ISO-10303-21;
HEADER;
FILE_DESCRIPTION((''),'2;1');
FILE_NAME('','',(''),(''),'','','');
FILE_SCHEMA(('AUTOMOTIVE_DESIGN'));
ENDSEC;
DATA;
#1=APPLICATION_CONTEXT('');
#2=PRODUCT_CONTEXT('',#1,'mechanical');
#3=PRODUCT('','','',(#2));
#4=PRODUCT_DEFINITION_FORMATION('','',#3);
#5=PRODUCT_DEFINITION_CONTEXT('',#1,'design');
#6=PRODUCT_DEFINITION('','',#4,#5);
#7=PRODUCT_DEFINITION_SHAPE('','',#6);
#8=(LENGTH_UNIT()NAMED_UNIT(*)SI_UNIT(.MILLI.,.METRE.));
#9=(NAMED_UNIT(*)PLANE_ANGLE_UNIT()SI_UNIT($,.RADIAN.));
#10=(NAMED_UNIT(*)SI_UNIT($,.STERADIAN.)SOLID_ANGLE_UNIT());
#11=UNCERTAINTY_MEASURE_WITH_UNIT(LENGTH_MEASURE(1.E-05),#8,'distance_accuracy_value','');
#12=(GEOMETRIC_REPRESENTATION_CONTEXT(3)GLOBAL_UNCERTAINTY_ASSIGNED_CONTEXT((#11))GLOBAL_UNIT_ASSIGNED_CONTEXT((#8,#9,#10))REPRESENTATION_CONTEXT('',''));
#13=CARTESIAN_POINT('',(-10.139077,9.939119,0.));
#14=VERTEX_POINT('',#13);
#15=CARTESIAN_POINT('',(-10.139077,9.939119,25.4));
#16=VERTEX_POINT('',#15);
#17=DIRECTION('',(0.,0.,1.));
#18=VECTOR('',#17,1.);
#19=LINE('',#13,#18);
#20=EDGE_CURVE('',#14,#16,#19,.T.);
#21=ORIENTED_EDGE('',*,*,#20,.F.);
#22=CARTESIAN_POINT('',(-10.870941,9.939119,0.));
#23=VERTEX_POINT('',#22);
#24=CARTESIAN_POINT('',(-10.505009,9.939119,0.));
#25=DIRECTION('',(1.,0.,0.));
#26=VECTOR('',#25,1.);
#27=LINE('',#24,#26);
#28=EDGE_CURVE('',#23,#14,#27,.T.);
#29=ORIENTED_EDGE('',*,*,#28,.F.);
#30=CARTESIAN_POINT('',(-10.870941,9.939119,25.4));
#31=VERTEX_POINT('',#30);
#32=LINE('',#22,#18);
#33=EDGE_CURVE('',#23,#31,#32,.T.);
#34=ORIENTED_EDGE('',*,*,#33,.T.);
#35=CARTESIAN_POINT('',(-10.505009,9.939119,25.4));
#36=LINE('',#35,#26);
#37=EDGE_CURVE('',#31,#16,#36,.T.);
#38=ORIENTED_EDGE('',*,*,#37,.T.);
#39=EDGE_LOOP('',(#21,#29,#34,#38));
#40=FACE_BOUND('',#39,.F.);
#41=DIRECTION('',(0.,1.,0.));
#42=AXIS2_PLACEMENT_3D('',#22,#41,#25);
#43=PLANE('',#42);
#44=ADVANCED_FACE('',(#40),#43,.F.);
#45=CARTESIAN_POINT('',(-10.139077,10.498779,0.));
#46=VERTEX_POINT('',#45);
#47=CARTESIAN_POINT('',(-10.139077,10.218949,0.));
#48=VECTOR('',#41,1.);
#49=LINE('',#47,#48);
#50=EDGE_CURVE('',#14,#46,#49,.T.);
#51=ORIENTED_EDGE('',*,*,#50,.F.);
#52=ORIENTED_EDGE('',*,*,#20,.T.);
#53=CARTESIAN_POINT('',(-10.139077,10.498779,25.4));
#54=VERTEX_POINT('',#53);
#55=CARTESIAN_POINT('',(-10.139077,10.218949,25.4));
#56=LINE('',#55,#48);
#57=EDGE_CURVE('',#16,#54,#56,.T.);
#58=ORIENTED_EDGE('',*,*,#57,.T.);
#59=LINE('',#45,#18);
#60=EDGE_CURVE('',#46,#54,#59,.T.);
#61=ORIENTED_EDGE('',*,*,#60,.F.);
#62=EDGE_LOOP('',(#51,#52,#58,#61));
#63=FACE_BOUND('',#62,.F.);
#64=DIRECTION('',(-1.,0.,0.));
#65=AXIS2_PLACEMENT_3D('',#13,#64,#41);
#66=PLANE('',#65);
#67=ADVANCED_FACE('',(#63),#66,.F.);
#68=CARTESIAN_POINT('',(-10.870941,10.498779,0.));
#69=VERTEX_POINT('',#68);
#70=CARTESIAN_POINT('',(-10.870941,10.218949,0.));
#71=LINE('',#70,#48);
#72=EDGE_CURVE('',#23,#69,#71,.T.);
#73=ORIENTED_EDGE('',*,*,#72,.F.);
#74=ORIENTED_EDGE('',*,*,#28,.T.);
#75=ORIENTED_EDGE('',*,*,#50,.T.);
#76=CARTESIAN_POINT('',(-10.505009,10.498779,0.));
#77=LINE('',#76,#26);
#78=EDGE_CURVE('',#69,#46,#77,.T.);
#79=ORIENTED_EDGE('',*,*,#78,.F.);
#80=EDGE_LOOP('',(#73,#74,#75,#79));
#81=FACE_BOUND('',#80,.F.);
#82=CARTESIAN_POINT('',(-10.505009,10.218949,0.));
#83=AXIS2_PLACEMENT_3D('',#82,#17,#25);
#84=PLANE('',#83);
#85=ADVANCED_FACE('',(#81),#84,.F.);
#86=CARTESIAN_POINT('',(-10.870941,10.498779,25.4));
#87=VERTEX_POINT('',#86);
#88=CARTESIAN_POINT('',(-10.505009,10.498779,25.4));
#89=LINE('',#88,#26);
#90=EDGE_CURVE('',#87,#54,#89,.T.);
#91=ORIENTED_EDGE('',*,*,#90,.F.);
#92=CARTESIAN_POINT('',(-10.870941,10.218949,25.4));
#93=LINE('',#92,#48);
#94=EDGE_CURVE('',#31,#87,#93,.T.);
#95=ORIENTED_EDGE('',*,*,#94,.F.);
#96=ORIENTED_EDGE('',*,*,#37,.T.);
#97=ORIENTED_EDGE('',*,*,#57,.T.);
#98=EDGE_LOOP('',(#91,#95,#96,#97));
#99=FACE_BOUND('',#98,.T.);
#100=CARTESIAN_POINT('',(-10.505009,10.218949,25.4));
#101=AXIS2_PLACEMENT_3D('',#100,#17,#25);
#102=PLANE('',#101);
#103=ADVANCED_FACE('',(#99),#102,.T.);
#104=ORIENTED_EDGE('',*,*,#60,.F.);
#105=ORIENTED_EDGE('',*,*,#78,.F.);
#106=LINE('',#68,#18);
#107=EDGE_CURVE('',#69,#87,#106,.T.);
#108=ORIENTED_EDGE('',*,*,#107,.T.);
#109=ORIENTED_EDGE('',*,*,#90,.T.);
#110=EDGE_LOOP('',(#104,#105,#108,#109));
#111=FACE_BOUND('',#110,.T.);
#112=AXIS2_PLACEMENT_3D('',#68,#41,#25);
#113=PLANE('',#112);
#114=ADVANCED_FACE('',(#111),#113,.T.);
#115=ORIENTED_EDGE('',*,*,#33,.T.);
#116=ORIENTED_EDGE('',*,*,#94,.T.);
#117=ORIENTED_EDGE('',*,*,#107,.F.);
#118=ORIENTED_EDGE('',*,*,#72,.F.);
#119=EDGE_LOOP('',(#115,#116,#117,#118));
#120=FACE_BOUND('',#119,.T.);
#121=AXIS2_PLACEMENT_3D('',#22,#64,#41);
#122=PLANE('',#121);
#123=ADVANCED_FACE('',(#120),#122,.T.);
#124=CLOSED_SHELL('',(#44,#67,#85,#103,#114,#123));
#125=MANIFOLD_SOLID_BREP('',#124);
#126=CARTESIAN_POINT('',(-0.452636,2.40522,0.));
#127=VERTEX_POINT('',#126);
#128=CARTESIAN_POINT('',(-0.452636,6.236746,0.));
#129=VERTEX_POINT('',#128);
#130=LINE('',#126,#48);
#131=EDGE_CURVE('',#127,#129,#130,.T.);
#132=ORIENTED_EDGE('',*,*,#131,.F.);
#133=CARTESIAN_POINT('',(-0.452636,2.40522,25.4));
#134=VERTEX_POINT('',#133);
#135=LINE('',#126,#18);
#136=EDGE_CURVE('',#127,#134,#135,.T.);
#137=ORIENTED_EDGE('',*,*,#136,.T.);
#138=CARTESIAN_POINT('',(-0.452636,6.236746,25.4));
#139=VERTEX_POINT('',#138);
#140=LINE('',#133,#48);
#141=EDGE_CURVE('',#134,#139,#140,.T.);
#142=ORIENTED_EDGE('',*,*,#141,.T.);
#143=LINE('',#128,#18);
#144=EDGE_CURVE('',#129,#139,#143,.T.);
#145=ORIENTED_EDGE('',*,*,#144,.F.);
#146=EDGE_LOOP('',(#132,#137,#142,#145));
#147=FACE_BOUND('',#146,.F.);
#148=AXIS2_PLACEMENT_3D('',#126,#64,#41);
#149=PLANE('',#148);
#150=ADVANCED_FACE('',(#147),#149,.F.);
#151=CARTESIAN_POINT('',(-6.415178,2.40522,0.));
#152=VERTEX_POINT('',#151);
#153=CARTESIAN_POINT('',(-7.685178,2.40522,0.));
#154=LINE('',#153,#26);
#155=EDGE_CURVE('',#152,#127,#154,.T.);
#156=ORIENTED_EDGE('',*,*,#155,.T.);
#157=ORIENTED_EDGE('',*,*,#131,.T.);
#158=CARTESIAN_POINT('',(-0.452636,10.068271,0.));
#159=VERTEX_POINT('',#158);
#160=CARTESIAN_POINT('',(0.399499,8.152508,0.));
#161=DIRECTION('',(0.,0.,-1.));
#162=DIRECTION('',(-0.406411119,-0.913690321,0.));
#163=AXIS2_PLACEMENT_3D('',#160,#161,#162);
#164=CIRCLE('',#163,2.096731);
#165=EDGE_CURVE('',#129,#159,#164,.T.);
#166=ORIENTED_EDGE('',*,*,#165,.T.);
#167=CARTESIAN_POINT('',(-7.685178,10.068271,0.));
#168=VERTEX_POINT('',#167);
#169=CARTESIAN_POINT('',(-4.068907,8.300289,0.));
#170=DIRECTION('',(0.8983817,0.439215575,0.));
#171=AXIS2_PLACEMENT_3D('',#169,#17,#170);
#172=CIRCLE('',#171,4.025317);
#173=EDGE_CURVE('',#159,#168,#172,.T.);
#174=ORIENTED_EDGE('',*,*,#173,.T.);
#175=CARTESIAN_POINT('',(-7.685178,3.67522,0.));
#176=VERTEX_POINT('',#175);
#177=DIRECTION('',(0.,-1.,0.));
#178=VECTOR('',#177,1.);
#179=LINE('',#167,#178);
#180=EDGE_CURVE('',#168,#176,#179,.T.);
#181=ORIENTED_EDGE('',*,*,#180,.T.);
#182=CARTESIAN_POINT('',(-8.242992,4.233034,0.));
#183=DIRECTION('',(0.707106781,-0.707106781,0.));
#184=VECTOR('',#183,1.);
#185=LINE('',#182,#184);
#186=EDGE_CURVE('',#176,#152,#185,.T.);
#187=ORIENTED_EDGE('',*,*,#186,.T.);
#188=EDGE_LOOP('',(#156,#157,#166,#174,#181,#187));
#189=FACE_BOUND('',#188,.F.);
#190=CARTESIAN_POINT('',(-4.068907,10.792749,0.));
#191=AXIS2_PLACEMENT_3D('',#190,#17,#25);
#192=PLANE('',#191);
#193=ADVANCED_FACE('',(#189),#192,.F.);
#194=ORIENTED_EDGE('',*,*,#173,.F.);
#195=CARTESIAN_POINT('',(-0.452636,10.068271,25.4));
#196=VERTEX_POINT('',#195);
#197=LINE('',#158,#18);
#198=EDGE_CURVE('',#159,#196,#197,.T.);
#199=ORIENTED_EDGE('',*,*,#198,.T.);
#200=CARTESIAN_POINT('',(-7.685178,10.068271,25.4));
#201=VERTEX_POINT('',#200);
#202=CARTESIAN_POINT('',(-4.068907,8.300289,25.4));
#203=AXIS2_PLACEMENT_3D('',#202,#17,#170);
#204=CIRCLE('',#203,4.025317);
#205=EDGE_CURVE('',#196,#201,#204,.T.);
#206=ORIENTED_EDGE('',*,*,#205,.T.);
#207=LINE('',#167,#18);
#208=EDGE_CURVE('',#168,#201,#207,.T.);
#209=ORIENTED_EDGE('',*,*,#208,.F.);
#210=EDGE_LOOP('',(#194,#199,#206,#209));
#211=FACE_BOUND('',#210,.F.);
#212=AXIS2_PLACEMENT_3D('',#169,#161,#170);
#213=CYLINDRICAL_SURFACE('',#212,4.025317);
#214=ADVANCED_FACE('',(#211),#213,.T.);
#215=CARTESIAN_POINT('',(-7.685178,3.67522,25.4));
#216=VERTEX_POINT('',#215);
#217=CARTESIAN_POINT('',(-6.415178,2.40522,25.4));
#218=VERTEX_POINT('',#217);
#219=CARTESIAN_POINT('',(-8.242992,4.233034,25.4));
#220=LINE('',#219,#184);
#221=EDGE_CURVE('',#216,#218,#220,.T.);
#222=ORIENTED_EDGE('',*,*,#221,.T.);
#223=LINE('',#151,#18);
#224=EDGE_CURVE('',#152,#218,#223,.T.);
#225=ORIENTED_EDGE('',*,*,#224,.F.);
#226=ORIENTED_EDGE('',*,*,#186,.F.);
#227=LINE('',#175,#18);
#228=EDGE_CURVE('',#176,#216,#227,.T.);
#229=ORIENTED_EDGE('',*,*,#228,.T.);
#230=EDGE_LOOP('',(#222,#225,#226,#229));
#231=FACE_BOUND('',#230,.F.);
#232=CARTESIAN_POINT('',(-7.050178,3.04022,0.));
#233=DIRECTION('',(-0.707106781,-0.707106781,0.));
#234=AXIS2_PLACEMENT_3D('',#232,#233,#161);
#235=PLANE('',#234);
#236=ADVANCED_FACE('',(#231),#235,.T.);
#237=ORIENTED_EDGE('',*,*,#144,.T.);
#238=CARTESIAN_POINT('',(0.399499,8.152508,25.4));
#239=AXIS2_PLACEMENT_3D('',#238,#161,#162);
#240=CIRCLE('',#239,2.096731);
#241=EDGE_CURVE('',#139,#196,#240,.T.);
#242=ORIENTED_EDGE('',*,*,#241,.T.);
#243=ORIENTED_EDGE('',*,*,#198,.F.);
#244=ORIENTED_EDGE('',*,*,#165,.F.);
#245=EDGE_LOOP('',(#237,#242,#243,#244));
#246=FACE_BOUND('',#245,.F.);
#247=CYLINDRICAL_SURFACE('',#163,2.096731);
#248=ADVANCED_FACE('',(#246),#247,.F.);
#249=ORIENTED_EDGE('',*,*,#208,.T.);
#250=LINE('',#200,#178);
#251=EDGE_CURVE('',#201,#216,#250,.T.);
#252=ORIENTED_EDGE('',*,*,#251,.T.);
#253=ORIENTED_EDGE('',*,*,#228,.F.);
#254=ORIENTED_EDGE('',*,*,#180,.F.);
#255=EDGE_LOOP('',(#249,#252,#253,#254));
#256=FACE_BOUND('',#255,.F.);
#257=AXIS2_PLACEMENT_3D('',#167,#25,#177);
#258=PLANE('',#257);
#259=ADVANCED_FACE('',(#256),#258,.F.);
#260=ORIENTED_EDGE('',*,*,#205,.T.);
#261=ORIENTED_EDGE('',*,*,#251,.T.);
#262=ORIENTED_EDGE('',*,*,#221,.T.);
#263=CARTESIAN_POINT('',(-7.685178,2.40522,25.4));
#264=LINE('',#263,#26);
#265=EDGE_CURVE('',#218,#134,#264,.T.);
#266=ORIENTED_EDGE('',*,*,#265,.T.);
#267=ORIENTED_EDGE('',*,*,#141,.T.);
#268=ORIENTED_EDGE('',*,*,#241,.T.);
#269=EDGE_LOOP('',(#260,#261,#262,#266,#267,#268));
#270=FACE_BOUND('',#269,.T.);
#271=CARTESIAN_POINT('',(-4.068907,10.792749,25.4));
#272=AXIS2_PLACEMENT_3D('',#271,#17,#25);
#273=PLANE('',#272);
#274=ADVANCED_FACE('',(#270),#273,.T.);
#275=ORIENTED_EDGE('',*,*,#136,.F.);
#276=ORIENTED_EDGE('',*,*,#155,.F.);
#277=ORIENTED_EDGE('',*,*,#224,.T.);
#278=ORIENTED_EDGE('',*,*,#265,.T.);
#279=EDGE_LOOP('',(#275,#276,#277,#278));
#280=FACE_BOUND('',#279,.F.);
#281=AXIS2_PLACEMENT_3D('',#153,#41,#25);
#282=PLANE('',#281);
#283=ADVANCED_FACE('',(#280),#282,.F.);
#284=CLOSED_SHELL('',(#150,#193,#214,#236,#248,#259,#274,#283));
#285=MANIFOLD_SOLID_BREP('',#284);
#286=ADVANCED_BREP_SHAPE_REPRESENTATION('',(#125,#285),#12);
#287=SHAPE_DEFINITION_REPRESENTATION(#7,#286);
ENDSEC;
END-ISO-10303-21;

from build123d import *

# Parameters (mm, degrees)
F0_W     = 0.731864
F0_H     = 0.55966
F0_W_2   = 4.692542
F0_H_2   = 2.54
F1_DEPTH = 25.4
F2_SIZE  = 1.27


with BuildPart() as f1:
    # F0 (on Top) → F1 (new body)
    with BuildSketch(Plane.XY):
        with Locations((-10.505009, 10.218949)):
            Rectangle(F0_W, F0_H)
        with BuildLine():
            ThreePointArc((-0.452636, 10.068271), (-4.068907, 12.325606), (-7.685178, 10.068271))
            Line((-7.685178, 10.068271), (-0.452636, 10.068271))
        make_face()
        with BuildLine():
            Line((-0.452636, 10.068271), (-7.685178, 10.068271))
            Line((-7.685178, 10.068271), (-7.685178, 4.94522))
            Line((-7.685178, 4.94522), (-2.992636, 4.94522))
            Line((-2.992636, 4.94522), (-2.992636, 2.40522))
            Line((-2.992636, 2.40522), (-0.452636, 2.40522))
            Line((-0.452636, 2.40522), (-0.452636, 6.236746))
            ThreePointArc((-0.452636, 6.236746), (-1.697232, 8.152509), (-0.452636, 10.068271))
        make_face()
        with Locations((-5.338907, 3.67522)):
            Rectangle(F0_W_2, F0_H_2)
    extrude(amount=F1_DEPTH)

    # F2
    f2_edges = [f1.edges().sort_by_distance(p)[0] for p in [
        (-7.685178, 2.40522, 12.7),
    ]]
    chamfer(f2_edges, length=F2_SIZE)


solid = f1.part
